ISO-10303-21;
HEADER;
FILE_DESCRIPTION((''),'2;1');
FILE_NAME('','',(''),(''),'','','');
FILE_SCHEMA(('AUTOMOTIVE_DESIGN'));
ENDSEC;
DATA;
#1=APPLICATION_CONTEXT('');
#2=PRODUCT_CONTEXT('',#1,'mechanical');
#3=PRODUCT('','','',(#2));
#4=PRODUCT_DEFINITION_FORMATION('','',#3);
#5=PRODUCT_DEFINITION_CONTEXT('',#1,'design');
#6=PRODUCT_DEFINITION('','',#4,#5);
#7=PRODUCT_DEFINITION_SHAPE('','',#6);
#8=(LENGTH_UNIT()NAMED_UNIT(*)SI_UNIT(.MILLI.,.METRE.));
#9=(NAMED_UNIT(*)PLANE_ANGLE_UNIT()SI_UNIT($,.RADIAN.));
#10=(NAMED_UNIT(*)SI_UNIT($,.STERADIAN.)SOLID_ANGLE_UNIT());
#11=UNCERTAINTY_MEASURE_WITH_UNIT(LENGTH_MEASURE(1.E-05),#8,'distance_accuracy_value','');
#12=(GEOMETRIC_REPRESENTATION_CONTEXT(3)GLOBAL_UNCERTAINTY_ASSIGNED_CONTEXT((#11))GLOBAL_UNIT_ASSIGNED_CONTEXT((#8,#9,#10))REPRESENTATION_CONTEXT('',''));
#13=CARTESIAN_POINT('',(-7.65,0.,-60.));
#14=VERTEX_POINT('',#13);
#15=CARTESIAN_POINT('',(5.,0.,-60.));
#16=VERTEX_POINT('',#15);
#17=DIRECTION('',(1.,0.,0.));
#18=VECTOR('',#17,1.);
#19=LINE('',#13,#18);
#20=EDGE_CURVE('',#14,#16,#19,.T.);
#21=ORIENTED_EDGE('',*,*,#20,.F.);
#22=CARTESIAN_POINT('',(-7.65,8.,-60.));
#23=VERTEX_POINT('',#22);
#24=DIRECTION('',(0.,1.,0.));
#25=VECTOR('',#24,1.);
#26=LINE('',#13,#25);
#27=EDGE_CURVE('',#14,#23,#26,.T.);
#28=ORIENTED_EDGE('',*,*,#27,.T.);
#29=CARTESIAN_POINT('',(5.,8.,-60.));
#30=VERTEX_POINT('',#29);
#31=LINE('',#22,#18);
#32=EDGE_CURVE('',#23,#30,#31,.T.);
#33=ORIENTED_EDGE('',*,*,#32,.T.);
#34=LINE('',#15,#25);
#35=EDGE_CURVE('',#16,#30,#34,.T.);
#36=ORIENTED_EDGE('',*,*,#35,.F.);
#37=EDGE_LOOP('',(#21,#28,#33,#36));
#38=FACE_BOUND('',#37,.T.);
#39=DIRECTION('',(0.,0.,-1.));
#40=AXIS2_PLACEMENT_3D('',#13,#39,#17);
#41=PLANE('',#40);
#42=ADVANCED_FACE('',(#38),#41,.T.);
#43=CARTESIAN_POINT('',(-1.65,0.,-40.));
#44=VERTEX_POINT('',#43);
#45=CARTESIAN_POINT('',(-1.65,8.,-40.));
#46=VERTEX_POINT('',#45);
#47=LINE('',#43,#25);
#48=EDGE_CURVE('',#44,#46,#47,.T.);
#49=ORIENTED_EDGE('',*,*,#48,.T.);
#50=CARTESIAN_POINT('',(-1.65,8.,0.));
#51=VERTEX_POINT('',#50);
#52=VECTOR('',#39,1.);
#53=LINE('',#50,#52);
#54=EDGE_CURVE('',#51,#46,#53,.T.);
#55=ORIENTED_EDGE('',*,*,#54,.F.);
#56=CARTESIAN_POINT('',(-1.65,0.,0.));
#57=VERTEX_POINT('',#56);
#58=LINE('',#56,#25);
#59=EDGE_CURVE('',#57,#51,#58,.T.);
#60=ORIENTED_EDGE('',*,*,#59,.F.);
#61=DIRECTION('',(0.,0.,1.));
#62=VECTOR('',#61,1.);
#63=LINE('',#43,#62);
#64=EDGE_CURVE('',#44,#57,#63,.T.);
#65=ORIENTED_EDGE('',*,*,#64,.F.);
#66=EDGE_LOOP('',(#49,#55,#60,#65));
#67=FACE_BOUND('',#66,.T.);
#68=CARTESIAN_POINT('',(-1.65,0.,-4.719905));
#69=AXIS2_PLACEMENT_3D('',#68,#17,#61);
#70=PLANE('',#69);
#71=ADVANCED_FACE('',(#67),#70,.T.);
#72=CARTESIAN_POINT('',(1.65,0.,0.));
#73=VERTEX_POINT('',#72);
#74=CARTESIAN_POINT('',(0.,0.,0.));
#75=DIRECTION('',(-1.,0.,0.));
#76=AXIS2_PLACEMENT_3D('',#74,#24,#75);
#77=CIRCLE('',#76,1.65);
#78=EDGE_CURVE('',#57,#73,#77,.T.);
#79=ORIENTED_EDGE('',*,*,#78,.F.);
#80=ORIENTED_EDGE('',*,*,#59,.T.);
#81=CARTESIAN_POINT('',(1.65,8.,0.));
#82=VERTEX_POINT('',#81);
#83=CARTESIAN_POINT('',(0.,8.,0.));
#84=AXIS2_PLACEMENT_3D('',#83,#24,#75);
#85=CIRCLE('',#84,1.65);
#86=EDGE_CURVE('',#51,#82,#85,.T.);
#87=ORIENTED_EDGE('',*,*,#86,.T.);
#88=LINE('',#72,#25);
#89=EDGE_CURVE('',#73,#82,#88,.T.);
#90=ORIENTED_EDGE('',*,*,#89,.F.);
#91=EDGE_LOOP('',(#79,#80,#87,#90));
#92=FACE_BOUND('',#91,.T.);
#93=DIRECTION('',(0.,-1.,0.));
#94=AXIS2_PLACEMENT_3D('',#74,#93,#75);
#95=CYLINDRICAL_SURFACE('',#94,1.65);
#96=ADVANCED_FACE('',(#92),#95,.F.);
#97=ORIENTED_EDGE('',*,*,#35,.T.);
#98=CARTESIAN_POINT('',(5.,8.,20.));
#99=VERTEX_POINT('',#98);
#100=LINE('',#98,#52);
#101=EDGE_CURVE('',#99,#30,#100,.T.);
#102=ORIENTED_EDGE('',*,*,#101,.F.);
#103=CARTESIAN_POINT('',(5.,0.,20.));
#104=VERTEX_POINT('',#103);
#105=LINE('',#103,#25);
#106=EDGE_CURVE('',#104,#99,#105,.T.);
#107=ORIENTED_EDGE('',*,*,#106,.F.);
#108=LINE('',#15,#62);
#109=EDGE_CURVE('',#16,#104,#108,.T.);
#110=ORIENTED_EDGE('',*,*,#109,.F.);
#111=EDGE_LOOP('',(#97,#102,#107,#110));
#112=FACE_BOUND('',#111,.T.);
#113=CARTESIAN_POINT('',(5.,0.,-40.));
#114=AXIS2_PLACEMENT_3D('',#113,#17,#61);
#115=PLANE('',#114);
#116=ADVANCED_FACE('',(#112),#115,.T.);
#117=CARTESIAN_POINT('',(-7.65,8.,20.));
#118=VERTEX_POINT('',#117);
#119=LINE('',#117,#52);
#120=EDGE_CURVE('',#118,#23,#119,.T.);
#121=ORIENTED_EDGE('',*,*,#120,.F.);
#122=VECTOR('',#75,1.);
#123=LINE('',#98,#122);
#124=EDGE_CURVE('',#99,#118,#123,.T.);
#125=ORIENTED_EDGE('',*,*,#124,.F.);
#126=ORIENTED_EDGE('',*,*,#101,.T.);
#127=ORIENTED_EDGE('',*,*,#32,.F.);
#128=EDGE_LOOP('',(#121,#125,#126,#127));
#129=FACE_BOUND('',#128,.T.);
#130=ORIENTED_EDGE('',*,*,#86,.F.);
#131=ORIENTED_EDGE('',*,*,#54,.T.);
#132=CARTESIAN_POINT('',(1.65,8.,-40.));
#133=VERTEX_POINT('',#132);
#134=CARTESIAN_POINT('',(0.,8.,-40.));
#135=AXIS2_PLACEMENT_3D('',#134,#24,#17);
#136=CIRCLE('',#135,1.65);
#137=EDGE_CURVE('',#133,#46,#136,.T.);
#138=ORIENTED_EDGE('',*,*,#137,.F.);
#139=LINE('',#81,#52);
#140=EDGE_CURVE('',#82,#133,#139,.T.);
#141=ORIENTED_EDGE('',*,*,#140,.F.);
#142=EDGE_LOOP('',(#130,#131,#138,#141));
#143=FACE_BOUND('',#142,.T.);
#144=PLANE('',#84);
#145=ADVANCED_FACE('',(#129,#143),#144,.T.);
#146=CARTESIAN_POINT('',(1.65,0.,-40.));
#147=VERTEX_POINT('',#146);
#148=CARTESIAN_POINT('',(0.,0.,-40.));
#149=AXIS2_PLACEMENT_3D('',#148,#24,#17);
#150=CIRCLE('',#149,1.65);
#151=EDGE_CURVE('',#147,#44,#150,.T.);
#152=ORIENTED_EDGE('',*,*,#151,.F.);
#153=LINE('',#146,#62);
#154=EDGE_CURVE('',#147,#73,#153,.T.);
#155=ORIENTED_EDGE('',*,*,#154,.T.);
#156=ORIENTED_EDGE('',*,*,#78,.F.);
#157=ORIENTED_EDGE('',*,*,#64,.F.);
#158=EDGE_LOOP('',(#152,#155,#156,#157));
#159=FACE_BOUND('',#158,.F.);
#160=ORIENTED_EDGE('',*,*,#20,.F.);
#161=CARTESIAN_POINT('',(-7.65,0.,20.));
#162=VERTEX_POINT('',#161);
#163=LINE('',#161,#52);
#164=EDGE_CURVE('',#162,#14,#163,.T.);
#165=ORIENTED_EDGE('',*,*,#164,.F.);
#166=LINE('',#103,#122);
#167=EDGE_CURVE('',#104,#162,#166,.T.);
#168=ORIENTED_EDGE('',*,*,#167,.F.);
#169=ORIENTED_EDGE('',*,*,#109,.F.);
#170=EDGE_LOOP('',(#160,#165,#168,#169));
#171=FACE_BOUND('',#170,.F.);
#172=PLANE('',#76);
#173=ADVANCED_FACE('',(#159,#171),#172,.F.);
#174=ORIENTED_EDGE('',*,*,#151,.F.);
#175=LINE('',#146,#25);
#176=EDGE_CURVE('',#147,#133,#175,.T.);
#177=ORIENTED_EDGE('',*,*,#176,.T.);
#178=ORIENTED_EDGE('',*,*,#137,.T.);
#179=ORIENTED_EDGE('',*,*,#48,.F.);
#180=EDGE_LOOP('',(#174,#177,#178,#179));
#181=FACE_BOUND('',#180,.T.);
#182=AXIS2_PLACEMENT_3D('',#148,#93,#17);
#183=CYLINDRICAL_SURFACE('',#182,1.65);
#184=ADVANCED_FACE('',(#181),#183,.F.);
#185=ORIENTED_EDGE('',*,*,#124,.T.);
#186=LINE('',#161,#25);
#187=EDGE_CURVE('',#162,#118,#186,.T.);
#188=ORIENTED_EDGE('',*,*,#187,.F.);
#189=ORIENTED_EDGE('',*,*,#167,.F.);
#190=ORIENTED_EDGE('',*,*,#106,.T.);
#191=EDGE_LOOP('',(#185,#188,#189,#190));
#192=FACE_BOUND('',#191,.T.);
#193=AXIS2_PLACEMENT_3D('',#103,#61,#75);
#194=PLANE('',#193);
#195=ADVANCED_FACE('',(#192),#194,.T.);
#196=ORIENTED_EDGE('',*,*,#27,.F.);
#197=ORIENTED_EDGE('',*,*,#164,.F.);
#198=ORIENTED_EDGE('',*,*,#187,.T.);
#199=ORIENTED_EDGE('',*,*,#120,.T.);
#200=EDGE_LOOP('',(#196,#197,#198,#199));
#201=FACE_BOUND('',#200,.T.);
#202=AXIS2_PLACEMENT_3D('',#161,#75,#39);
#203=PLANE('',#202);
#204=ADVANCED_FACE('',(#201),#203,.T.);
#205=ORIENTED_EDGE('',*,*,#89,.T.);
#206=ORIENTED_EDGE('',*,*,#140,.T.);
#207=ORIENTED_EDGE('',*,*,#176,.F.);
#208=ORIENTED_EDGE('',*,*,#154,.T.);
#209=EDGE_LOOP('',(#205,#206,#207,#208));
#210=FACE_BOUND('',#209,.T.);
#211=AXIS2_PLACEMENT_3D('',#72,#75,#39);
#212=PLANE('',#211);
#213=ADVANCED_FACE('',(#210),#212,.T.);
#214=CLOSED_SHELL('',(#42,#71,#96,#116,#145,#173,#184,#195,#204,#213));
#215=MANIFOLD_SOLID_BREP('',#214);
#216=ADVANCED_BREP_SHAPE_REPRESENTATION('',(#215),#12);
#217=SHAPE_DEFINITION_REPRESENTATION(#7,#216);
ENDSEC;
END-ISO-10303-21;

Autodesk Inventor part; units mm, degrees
ref_plane "YZ Plane" through (0, 0, 0) normal (1, 0, 0) x (0, 1, 0)
ref_plane "XZ Plane" through (0, 0, 0) normal (0, 1, 0) x (-1, 0, 0)
ref_plane "XY Plane" through (0, 0, 0) normal (0, 0, 1) x (1, 0, 0)
sketch "Sketch1" plane through (0, 0, 0) normal (0, 1, 0) x (-1, 0, 0)
  line L0 (0, 0) -> (0, -40) construction
  line L1 (-1.65, 0) -> (-1.65, -40)
  line L2 (1.65, -40) -> (1.65, 0)
  arc A0 (1.65, 0) -> (-1.65, 0) centre (0, 0) ccw
  arc A1 (-1.65, -40) -> (1.65, -40) centre (0, -40) ccw
  line L3 (-5, 20) -> (7.65, 20)
  line L4 (7.65, 20) -> (7.65, -60)
  line L5 (7.65, -60) -> (-5, -60)
  line L6 (-5, -60) -> (-5, 20)
  circle A2 centre (0, -40) radius 5
  circle A3 centre (0, 0) radius 5
  point P0 (0, -20)
  dimension "d0" = 3.3
  dimension "d1" = 40
  dimension "d2" = 10
  dimension "d3" = 10
  dimension "d4" = 20
  dimension "d5" = 20
  dimension "d6" = 6
extrude "Extrusion1" add sketch "Sketch1" along normal blind 8 contours L1 A3 L2 A0 | L1 A2 L6 A3 | L1 A1 L2 A2 | L6 L3 L4 L5 A2 L2 A3 picked at (-2.0178, -2.9645) picked at (-2.0178, -37.0355)
ref_plane "Work Plane1" through (0, 0, 0) normal (1, 0, 0) x (0, 0, -1)
properties part number "Rail"
